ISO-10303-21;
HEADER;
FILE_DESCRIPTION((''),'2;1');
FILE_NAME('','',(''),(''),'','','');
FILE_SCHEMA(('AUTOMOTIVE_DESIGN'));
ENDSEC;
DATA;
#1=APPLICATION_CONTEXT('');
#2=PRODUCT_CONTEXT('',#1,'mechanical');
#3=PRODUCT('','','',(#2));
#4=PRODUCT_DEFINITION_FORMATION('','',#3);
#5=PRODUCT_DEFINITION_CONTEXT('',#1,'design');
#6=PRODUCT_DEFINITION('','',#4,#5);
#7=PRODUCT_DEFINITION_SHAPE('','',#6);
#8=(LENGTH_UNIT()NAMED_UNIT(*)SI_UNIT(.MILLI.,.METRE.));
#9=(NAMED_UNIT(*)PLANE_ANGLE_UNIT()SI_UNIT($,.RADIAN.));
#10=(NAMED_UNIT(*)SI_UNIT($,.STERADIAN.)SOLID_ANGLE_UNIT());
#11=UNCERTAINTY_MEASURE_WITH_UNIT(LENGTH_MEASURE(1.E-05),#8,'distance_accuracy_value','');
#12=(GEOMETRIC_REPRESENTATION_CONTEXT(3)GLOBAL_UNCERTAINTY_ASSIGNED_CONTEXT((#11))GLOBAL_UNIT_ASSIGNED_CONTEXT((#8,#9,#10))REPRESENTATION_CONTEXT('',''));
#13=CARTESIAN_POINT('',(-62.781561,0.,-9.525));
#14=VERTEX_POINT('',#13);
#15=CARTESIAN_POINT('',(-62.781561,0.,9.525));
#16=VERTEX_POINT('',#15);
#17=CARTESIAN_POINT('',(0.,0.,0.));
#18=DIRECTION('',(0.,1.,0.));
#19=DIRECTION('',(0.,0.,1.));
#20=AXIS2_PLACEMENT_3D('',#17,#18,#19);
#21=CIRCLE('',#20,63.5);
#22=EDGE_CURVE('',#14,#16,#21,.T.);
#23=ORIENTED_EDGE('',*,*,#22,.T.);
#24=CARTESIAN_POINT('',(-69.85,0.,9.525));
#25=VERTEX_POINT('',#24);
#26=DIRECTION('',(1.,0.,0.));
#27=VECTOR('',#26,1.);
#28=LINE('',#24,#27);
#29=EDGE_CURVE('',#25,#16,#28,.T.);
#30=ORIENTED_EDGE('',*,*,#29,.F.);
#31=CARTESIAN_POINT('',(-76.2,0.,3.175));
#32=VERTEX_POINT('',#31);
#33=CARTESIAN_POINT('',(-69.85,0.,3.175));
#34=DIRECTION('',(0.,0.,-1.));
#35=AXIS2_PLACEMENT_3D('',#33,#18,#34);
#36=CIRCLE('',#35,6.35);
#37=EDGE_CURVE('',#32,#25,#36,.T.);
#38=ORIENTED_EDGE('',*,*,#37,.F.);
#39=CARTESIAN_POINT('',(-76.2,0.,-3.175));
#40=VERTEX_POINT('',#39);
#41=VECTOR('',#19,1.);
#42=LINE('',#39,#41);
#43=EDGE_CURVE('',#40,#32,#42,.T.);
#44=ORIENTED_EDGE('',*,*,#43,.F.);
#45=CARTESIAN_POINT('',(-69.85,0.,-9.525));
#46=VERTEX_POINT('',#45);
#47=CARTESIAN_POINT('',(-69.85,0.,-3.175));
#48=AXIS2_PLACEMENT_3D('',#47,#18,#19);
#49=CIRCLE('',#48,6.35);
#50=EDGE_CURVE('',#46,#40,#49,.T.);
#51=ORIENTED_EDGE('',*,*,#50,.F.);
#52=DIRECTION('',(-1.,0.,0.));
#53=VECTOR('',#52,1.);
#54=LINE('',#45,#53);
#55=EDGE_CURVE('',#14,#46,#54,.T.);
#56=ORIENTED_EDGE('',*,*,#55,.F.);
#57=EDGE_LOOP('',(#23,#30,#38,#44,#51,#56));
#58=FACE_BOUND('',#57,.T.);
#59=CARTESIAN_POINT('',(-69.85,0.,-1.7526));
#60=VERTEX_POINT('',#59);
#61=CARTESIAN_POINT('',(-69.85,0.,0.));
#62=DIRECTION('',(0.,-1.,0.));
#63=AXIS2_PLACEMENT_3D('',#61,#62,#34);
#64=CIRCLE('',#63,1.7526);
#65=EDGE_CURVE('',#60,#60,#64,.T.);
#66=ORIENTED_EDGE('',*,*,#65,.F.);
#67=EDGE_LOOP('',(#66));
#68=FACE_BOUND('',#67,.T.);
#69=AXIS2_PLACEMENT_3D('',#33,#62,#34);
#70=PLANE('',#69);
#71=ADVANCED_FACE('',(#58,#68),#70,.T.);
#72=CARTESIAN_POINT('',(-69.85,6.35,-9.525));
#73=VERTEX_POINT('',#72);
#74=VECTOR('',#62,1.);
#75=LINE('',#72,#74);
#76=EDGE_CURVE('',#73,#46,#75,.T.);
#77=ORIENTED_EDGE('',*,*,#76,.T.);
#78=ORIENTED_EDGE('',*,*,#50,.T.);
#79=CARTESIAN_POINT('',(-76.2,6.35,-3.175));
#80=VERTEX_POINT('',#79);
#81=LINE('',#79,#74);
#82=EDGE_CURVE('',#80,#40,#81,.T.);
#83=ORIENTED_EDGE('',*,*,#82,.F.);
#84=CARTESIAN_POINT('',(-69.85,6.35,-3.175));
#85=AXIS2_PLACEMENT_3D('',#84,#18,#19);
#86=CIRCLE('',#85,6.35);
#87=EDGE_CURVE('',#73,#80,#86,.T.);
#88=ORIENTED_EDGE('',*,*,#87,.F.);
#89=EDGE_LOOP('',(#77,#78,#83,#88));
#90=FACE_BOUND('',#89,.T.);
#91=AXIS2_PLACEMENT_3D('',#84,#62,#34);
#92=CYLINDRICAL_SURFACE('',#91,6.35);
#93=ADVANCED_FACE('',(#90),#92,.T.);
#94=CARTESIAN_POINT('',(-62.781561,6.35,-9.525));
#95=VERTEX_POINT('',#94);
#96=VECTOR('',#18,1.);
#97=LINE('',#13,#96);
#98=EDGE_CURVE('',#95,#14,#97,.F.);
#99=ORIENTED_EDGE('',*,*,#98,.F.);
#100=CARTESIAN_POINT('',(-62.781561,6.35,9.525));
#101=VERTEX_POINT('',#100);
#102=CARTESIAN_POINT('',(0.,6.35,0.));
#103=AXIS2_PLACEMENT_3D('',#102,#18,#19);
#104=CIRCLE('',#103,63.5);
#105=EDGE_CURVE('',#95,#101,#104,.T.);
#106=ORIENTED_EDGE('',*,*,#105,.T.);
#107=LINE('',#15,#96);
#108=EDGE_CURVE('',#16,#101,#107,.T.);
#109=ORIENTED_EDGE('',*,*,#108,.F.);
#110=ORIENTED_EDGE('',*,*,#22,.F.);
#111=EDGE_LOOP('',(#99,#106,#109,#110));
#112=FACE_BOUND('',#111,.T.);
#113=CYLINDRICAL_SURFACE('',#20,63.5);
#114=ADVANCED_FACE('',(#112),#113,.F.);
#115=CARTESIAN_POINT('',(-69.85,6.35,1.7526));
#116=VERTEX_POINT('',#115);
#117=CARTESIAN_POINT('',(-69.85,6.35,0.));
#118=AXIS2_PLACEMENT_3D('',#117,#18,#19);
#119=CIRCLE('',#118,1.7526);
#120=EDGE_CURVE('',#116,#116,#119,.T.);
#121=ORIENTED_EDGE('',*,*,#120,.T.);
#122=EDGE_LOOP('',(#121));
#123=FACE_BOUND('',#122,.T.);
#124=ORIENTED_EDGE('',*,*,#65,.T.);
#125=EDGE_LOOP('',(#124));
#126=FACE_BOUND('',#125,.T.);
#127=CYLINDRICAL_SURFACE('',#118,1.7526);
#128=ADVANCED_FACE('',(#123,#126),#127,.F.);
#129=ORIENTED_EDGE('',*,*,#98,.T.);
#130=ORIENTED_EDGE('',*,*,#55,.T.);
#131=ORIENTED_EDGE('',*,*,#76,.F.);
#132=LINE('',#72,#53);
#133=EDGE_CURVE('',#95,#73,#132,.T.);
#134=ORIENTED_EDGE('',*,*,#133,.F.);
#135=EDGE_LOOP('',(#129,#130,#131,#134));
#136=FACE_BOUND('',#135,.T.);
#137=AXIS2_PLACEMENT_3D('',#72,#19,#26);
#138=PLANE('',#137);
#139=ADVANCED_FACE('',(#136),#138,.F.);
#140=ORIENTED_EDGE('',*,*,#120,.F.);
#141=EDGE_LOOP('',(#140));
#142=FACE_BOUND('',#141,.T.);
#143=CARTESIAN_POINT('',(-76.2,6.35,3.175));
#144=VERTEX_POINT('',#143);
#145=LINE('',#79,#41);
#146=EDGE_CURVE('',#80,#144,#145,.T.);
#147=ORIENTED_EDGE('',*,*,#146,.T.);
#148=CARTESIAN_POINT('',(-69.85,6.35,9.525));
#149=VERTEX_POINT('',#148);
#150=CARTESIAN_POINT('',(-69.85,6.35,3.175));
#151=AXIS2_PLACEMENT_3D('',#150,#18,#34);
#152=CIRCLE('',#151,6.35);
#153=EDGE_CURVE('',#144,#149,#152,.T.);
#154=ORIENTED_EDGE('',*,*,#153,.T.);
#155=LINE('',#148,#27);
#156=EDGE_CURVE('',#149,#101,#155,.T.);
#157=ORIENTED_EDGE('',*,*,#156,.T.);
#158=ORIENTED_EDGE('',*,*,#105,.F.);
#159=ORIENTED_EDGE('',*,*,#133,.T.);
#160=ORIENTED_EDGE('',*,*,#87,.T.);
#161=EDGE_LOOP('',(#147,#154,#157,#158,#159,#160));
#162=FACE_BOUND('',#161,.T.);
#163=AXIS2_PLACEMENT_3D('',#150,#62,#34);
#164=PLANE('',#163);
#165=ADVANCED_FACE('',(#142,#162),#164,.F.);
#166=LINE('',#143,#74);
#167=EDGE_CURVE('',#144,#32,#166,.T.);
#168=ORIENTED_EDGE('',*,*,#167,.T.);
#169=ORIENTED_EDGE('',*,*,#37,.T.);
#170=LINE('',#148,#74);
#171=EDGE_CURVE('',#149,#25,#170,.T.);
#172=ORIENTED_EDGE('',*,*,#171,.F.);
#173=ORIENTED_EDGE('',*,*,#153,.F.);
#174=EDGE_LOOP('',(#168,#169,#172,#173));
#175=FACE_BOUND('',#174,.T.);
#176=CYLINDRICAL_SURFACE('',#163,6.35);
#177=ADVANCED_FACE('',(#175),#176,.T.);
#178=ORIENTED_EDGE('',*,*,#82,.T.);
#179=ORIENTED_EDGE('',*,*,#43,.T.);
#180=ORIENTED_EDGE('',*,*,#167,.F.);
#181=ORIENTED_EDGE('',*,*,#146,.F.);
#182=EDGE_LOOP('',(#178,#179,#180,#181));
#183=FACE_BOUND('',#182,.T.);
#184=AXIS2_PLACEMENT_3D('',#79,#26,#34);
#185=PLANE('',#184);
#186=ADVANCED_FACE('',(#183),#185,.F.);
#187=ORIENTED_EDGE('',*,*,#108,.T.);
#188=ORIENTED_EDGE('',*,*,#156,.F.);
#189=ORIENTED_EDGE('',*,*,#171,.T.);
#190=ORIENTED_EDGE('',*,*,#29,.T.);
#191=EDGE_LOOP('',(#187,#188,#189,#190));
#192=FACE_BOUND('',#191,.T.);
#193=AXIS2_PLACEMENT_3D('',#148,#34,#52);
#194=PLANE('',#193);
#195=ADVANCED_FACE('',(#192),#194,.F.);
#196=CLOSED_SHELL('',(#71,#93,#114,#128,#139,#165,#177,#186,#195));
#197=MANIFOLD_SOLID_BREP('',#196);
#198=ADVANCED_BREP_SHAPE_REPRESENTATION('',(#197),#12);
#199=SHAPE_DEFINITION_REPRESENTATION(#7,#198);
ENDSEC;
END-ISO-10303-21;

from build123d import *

# Parameters (mm, degrees)
EXTRUDE1_DEPTH                  = 6.35
SKETCH2_R                       = 63.5
CUT_EXTRUDE1_DEPTH              = 6.35
F_6_32_TAPPED_HOLE1_D           = 2.7051
F_6_32_TAPPED_HOLE1_DEPTH       = 9.398
F_6_32_TAPPED_HOLE1_CBORE_D     = 3.5052
F_6_32_TAPPED_HOLE1_CBORE_DEPTH = 7.112
F_6_32_TAPPED_HOLE1_TIP         = 0.81269403


with BuildPart() as part:
    # Sketch1 → Extrude1 (new body)
    with BuildSketch(Plane(origin=(0, 0, 0), x_dir=(1, 0, 0), z_dir=(0, 1, 0))):
        with BuildLine():
            Line((-69.85, 9.525), (0, 9.525))
            Line((0, 9.525), (0, -9.525))
            Line((0, -9.525), (-69.85, -9.525))
            ThreePointArc((-69.85, -9.525), (-74.340128061, -7.665128061), (-76.2, -3.175))
            Line((-76.2, -3.175), (-76.2, 3.175))
            ThreePointArc((-76.2, 3.175), (-74.340128061, 7.665128061), (-69.85, 9.525))
        make_face()
    extrude(amount=EXTRUDE1_DEPTH)

    # Sketch2 → Cut-Extrude1 (cut)
    with BuildSketch(Plane(origin=(0, 6.35, 0), x_dir=(-1, 0, 0), z_dir=(0, 1, 0))):
        Circle(SKETCH2_R)
    extrude(amount=-CUT_EXTRUDE1_DEPTH, mode=Mode.SUBTRACT)

    # #6-32 Tapped Hole1
    with Locations(Plane(origin=(-69.85, 6.35, 0), x_dir=(0, 0, 1), z_dir=(0, 1, 0))):
        with Locations((0, 0)):
            CounterBoreHole(F_6_32_TAPPED_HOLE1_D / 2, F_6_32_TAPPED_HOLE1_CBORE_D / 2, F_6_32_TAPPED_HOLE1_CBORE_DEPTH, depth=F_6_32_TAPPED_HOLE1_DEPTH)
            with Locations((0, 0, -(F_6_32_TAPPED_HOLE1_DEPTH + F_6_32_TAPPED_HOLE1_TIP / 2))):  # 118° drill point
                Cone(0, F_6_32_TAPPED_HOLE1_D / 2, F_6_32_TAPPED_HOLE1_TIP, mode=Mode.SUBTRACT)


solid = part.part
